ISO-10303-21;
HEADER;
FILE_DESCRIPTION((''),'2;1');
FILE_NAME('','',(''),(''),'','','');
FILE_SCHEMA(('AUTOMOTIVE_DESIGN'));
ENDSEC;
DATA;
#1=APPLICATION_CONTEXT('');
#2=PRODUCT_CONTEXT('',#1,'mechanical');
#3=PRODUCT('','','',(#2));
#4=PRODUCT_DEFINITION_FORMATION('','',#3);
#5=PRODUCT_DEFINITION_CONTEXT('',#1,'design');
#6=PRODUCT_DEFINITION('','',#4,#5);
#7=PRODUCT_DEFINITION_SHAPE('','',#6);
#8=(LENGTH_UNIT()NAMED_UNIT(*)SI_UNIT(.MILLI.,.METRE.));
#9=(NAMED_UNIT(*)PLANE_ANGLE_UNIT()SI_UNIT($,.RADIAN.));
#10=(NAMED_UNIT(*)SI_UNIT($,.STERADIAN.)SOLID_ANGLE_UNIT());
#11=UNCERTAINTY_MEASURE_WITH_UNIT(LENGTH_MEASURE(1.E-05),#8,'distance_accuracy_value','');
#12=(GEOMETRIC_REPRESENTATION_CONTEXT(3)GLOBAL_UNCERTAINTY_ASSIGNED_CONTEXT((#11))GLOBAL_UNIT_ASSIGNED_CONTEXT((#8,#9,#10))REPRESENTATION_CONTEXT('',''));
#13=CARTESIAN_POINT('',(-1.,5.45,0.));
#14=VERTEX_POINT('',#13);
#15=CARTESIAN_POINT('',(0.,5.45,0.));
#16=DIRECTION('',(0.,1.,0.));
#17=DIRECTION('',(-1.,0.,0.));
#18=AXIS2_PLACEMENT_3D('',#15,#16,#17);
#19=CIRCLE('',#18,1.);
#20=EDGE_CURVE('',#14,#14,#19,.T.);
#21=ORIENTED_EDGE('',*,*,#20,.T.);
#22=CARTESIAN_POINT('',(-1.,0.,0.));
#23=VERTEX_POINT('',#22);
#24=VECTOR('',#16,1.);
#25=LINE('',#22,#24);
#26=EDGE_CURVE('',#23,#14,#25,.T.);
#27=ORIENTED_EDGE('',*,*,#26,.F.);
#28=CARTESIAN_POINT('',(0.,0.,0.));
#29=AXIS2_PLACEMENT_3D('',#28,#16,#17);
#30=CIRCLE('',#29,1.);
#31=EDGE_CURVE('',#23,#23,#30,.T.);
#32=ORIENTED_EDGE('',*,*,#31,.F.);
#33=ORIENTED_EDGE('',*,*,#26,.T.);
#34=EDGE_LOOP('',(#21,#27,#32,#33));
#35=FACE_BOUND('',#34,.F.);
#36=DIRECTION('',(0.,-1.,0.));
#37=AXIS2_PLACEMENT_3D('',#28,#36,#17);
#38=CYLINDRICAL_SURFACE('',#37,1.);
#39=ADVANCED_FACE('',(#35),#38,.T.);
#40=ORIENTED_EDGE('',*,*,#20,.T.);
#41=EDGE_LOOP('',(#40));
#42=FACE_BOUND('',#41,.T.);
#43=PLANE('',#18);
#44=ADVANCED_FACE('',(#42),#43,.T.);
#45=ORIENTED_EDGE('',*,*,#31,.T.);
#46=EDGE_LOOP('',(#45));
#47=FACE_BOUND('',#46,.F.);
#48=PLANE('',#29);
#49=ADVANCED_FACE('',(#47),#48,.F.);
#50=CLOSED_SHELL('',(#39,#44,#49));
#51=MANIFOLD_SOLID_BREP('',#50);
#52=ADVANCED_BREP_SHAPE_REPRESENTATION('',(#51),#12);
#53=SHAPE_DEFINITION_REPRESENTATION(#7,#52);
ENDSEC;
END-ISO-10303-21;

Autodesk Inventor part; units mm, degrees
ref_plane "YZ Plane" through (0, 0, 0) normal (1, 0, 0) x (0, 1, 0)
ref_plane "XZ Plane" through (0, 0, 0) normal (0, 1, 0) x (-1, 0, 0)
ref_plane "XY Plane" through (0, 0, 0) normal (0, 0, 1) x (1, 0, 0)
sketch "Эскиз1" plane through (0, 0, 0) normal (0, 1, 0) x (-1, 0, 0)
  circle A0 centre (0, 0) radius 1
  dimension "d0" = 2
extrude "Выдавливание1" add sketch "Эскиз1" along normal blind 5.45
properties part number "Ось 2мм рулевой сервы"
